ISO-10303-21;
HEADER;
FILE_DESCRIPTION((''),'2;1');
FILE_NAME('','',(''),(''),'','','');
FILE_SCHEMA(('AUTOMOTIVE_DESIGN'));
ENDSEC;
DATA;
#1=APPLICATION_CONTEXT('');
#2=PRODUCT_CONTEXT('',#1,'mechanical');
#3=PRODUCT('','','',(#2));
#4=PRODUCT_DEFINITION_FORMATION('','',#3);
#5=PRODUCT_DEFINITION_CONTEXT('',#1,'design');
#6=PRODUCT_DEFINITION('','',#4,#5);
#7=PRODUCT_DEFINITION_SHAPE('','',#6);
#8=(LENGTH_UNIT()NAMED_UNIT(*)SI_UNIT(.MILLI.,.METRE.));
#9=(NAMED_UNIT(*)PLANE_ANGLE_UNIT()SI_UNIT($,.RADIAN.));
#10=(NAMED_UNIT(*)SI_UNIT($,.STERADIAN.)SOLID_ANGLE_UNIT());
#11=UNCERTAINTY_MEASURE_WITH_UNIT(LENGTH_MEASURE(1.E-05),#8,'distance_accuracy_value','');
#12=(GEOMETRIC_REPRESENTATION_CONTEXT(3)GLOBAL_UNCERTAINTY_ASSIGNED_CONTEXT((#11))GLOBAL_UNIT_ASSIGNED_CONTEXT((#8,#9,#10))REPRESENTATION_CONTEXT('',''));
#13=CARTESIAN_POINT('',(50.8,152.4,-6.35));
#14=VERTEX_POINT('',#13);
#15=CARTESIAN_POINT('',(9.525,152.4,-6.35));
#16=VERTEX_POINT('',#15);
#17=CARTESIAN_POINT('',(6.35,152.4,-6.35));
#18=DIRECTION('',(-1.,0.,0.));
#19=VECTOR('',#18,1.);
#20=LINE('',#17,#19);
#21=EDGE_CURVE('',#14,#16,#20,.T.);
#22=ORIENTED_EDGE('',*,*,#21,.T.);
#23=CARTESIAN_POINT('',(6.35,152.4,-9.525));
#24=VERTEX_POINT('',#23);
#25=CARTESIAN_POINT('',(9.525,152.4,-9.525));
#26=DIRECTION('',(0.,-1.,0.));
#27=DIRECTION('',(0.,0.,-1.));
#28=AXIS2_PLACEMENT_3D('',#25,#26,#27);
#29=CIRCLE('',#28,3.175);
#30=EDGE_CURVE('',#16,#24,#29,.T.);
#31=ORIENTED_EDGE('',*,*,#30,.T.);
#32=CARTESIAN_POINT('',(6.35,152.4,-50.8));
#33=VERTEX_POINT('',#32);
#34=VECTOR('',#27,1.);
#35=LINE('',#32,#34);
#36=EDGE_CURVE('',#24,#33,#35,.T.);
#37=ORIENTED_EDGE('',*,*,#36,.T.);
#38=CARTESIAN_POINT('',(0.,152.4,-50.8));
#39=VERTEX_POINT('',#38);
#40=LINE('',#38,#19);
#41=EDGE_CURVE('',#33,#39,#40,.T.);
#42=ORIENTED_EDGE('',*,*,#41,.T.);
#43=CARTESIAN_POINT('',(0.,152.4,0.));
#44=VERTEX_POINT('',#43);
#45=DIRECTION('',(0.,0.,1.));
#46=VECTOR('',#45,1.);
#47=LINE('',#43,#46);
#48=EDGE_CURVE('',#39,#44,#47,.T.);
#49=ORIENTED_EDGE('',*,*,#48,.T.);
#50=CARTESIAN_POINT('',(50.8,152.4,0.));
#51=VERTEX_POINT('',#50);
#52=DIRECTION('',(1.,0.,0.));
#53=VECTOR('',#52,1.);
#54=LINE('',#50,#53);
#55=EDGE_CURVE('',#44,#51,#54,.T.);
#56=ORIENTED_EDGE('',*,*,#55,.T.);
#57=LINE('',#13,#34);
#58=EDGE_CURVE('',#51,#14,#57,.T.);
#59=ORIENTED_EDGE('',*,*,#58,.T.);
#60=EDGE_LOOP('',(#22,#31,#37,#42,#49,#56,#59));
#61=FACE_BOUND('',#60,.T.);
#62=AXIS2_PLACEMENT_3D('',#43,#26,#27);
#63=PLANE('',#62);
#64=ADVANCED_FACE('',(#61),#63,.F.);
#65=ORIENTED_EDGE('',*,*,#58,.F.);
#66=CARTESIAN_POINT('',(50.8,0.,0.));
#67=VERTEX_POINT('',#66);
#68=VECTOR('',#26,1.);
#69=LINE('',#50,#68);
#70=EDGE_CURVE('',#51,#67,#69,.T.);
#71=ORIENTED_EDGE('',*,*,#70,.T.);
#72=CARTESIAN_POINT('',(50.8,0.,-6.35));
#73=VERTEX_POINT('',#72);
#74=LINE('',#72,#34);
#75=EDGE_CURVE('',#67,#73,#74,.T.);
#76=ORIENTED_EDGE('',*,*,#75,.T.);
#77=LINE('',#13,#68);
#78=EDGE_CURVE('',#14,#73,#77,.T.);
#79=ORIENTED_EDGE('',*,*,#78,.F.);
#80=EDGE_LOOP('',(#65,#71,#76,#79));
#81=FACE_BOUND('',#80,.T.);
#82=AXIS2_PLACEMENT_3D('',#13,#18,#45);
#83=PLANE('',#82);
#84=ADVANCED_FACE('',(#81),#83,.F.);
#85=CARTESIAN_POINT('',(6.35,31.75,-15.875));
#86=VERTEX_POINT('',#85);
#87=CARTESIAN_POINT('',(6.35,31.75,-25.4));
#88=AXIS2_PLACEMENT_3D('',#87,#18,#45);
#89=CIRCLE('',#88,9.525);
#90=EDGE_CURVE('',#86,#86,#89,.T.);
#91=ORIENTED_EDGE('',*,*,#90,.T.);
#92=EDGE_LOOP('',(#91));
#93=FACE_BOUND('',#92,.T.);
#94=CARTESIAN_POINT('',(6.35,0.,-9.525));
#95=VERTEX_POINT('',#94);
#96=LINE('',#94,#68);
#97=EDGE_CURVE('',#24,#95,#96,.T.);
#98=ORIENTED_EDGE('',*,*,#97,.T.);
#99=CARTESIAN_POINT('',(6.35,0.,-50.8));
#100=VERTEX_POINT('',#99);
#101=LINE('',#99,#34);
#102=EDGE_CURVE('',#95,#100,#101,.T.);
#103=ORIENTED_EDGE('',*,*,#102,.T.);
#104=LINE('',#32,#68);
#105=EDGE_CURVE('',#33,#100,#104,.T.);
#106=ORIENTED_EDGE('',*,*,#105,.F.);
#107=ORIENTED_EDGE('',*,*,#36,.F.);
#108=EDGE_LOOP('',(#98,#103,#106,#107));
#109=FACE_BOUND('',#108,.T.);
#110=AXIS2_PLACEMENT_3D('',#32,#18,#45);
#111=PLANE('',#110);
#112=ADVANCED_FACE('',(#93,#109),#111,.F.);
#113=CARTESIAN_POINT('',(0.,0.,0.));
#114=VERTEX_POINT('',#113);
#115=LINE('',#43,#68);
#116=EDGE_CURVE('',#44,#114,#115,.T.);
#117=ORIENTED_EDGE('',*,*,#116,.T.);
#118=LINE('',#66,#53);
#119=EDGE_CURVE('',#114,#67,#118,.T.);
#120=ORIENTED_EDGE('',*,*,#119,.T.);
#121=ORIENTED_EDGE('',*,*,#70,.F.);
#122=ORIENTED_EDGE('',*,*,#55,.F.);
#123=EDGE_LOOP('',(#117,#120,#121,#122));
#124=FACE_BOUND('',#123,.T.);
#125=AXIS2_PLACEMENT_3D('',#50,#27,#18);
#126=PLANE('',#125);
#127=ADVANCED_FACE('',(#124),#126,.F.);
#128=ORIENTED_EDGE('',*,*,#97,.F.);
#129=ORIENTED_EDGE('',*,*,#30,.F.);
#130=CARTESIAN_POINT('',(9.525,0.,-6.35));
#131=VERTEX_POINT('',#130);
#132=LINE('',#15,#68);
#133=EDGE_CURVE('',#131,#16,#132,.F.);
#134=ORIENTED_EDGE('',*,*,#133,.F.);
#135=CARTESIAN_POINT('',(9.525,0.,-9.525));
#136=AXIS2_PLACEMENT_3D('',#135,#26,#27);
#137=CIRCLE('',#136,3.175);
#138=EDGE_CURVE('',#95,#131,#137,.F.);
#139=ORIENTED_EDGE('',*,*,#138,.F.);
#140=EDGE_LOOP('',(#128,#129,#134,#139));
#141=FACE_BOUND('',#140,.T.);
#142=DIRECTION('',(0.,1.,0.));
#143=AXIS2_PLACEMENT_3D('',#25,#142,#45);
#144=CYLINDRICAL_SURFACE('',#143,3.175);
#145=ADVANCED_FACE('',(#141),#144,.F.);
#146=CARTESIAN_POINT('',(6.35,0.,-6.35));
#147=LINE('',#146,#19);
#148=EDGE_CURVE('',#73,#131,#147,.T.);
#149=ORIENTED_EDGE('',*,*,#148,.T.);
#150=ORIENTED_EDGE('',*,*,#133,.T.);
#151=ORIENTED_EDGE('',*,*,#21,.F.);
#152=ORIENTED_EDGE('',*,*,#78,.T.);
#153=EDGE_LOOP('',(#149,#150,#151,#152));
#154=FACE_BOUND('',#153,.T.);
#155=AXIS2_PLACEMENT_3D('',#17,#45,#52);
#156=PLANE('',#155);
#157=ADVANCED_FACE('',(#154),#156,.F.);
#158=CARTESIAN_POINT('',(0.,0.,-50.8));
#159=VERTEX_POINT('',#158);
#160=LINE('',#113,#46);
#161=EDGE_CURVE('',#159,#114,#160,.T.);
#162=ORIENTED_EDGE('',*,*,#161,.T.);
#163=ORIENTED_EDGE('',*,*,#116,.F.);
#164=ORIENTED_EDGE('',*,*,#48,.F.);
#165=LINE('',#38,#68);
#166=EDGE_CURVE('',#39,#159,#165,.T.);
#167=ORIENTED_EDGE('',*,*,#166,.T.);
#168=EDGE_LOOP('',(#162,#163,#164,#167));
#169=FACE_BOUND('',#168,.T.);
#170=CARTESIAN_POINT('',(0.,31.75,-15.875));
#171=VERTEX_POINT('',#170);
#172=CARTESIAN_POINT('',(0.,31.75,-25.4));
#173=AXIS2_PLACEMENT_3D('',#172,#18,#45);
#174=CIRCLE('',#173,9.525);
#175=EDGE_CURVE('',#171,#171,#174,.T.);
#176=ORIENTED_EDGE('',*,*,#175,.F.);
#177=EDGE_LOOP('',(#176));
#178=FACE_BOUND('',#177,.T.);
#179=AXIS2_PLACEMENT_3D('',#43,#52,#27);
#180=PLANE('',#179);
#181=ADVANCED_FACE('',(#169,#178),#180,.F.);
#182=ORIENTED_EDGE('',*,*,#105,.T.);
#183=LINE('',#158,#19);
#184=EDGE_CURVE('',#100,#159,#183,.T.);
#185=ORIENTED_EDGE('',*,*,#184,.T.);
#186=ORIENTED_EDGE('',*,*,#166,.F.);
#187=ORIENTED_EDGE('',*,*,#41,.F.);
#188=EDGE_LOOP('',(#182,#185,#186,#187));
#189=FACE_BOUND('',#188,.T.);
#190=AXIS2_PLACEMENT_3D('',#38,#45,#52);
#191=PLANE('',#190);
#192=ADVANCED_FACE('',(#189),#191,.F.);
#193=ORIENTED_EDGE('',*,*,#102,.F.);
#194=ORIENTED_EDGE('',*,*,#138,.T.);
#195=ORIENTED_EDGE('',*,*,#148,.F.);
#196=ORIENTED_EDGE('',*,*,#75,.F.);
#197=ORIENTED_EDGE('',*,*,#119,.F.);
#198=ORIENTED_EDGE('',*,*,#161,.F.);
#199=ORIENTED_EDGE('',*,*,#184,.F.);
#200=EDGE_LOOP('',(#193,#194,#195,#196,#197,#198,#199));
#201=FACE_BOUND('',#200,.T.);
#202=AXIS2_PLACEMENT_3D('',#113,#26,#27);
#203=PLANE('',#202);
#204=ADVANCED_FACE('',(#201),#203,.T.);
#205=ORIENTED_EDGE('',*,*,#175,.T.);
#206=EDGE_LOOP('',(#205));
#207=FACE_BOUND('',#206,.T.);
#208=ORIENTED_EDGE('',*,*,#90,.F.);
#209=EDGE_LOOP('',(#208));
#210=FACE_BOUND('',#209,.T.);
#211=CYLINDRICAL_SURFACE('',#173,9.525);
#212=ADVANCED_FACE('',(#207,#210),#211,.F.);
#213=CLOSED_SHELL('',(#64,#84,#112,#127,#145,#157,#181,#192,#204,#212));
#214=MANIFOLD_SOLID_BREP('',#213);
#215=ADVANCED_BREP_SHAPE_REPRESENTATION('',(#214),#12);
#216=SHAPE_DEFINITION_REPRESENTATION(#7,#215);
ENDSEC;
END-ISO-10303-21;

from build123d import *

# Parameters (mm, degrees)
BOSS_EXTRUDE1_DEPTH             = 152.4
FILLET1_R                       = 3.175
F_3_4_0_75_DIAMETER_HOLE1_D     = 19.05
F_3_4_0_75_DIAMETER_HOLE1_DEPTH = 6.35


with BuildPart() as part:
    # Sketch1 → Boss-Extrude1 (new body)
    with BuildSketch(Plane(origin=(0, 0, 0), x_dir=(1, 0, 0), z_dir=(0, 1, 0))):
        Polygon((0, 0), (0, 50.8), (6.35, 50.8), (6.35, 6.35), (50.8, 6.35), (50.8, 0), align=None)
    extrude(amount=BOSS_EXTRUDE1_DEPTH)

    # Fillet1
    fillet1_edges = [part.edges().sort_by_distance(p)[0] for p in [
        (6.35, 76.2, -6.35),
    ]]
    fillet(fillet1_edges, radius=FILLET1_R)

    # 3/4 (0.75) Diameter Hole1
    with Locations(Plane.ZY):
        with Locations((-25.4, 31.75)):
            Hole(F_3_4_0_75_DIAMETER_HOLE1_D / 2, depth=F_3_4_0_75_DIAMETER_HOLE1_DEPTH)


solid = part.part
